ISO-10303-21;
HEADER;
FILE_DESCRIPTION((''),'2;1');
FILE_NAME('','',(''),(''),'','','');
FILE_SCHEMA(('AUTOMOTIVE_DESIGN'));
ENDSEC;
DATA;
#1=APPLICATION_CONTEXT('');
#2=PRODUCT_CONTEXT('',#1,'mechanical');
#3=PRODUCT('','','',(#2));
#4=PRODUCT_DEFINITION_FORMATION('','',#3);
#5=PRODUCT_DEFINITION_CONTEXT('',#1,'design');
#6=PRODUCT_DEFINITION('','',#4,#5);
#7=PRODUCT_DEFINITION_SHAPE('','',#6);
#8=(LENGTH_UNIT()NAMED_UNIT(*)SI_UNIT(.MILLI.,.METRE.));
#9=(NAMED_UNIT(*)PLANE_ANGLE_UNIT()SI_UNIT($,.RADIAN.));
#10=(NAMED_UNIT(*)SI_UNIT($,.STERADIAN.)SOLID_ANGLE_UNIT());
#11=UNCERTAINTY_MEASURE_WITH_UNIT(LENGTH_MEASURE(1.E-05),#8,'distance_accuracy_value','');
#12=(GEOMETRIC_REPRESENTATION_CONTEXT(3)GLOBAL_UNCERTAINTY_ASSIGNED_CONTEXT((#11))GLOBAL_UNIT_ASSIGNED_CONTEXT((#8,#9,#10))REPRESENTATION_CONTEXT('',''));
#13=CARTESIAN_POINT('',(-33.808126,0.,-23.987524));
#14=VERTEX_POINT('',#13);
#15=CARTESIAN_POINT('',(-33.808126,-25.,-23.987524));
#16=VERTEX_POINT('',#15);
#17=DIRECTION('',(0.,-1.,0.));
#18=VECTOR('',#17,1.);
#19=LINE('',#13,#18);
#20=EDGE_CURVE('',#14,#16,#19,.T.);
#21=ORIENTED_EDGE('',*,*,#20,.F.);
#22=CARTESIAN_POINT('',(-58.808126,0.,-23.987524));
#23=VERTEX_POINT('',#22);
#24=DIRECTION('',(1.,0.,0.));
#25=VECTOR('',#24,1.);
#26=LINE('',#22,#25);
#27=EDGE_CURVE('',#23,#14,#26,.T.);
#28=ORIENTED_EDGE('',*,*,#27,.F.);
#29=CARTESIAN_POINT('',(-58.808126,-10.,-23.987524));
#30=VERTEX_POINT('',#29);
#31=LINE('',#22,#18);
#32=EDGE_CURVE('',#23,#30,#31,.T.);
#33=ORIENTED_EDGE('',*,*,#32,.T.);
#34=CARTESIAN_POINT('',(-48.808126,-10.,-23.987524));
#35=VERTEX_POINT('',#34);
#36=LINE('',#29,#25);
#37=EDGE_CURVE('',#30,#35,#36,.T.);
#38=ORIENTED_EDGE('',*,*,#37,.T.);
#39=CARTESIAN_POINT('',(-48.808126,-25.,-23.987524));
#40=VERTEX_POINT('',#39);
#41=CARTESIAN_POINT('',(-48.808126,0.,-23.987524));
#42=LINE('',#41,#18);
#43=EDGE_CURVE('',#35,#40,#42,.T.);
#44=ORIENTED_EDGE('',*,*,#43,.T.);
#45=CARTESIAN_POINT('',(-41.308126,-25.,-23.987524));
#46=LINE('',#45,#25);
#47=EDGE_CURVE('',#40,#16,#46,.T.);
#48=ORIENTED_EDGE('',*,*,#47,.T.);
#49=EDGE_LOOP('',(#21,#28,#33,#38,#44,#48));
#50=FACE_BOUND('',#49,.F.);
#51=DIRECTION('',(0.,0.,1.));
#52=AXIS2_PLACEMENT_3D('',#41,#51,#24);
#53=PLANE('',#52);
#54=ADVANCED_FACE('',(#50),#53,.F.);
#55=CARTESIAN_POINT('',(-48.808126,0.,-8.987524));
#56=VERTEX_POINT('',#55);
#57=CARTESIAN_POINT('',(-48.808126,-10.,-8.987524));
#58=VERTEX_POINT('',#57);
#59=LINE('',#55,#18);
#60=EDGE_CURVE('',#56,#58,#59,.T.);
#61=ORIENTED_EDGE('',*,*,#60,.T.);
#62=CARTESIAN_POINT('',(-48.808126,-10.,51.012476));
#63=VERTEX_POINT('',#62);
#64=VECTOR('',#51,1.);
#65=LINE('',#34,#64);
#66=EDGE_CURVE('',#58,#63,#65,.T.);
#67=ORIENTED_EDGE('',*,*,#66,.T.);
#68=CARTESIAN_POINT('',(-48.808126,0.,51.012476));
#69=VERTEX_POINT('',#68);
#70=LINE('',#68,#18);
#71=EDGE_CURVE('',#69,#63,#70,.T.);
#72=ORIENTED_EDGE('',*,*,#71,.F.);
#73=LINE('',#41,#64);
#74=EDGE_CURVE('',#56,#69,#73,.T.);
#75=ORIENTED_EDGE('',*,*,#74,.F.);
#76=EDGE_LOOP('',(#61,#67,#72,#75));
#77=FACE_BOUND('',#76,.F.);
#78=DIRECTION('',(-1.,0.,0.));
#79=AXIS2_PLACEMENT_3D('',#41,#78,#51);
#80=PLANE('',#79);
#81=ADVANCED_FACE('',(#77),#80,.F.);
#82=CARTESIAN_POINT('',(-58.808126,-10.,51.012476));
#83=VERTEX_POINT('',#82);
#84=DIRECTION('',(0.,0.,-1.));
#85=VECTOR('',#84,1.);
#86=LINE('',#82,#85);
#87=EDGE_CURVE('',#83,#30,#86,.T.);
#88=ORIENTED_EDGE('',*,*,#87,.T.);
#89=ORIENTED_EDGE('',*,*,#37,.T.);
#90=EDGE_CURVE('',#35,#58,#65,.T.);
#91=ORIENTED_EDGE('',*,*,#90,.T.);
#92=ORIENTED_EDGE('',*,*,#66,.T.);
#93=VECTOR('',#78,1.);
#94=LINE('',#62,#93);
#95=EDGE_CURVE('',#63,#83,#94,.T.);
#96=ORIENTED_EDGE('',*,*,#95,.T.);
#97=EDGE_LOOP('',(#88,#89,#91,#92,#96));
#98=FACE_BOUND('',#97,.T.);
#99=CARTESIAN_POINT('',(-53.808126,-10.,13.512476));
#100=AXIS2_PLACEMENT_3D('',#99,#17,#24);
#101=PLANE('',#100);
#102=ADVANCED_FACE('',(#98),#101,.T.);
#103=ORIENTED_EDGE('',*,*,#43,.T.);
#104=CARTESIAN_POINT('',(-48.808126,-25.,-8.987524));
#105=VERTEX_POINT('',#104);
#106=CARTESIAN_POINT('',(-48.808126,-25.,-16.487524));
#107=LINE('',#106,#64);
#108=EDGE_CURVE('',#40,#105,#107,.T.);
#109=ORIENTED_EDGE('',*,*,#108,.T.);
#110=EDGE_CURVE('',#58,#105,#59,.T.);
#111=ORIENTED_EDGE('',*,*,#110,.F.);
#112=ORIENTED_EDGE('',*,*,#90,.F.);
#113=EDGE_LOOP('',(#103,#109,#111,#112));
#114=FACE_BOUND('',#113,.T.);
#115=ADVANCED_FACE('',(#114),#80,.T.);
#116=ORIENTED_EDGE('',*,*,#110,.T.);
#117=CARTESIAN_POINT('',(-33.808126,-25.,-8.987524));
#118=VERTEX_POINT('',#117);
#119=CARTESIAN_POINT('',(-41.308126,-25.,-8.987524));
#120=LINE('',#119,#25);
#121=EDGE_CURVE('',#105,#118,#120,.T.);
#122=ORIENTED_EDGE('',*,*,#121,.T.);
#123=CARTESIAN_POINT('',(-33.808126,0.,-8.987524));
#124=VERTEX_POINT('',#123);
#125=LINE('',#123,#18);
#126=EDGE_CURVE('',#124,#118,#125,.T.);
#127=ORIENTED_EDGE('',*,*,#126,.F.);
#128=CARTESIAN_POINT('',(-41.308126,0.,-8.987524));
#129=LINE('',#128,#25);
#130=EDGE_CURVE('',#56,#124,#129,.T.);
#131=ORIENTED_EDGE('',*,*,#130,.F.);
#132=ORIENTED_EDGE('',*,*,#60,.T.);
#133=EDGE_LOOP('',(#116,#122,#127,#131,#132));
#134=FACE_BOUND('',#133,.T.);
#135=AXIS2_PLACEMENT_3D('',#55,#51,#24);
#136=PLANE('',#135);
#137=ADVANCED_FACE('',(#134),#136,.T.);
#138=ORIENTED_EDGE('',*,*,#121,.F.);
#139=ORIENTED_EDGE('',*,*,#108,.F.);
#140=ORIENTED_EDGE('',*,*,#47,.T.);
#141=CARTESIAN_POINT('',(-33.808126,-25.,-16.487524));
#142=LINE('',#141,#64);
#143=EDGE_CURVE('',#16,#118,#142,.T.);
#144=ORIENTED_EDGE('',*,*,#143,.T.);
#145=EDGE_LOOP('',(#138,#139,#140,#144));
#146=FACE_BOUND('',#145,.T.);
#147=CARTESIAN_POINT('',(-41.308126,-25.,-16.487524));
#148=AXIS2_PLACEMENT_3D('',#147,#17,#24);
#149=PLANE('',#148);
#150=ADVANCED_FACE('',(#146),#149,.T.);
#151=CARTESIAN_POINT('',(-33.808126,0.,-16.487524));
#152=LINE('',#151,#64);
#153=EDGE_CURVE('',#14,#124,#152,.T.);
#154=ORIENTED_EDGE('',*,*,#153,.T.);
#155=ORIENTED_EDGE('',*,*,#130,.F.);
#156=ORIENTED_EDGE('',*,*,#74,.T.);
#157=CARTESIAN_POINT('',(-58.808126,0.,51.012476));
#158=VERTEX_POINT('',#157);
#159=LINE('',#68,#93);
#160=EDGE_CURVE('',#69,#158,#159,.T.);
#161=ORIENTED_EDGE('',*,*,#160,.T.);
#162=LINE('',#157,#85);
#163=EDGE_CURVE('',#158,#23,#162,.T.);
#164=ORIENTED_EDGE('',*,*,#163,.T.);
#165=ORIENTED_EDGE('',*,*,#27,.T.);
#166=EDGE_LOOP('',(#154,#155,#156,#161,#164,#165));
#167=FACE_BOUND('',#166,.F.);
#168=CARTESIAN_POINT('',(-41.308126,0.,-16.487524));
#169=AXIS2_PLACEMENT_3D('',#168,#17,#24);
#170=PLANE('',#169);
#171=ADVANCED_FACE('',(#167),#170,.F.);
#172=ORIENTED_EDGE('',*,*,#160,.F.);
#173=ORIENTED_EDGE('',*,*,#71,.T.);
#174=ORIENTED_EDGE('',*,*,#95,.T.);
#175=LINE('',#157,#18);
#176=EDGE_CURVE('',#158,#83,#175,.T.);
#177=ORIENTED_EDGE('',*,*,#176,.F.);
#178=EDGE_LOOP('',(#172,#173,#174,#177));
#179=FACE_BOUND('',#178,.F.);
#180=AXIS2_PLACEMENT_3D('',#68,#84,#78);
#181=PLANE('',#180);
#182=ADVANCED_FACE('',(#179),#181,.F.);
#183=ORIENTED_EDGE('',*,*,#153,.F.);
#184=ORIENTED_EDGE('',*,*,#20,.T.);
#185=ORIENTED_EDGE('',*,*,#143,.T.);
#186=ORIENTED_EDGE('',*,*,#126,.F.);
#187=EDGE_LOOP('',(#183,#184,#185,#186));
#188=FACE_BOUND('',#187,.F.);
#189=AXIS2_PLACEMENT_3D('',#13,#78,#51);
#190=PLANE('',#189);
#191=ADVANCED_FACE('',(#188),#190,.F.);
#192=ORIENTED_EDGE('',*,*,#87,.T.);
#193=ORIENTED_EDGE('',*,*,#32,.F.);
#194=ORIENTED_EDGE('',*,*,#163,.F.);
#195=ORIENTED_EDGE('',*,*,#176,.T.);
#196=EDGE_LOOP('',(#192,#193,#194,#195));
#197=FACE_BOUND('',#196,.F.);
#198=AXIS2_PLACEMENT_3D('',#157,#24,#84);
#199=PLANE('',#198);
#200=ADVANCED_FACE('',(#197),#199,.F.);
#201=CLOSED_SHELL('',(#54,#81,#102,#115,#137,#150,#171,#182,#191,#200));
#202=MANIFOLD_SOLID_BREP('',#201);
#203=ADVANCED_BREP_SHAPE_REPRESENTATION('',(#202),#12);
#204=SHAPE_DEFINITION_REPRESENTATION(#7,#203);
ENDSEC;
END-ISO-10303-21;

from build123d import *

# Parameters (mm, degrees)
F1_DEPTH = 10
F0_W     = 15
F0_H     = 15
F2_DEPTH = 25


with BuildPart() as f1:
    # F0 (on Front) → F1 (new body)
    with BuildSketch(Plane.XZ):
        Polygon((-48.808126, 51.012476), (-58.808126, 51.012476), (-58.808126, -23.987524), (-48.808126, -23.987524), (-48.808126, -8.987524), align=None)
    extrude(amount=F1_DEPTH)

    # F0 (on Front) → F2 (join)
    with BuildSketch(Plane.XZ):
        with Locations((-41.308126, -16.487524)):
            Rectangle(F0_W, F0_H)
    extrude(amount=F2_DEPTH)


solid = f1.part
